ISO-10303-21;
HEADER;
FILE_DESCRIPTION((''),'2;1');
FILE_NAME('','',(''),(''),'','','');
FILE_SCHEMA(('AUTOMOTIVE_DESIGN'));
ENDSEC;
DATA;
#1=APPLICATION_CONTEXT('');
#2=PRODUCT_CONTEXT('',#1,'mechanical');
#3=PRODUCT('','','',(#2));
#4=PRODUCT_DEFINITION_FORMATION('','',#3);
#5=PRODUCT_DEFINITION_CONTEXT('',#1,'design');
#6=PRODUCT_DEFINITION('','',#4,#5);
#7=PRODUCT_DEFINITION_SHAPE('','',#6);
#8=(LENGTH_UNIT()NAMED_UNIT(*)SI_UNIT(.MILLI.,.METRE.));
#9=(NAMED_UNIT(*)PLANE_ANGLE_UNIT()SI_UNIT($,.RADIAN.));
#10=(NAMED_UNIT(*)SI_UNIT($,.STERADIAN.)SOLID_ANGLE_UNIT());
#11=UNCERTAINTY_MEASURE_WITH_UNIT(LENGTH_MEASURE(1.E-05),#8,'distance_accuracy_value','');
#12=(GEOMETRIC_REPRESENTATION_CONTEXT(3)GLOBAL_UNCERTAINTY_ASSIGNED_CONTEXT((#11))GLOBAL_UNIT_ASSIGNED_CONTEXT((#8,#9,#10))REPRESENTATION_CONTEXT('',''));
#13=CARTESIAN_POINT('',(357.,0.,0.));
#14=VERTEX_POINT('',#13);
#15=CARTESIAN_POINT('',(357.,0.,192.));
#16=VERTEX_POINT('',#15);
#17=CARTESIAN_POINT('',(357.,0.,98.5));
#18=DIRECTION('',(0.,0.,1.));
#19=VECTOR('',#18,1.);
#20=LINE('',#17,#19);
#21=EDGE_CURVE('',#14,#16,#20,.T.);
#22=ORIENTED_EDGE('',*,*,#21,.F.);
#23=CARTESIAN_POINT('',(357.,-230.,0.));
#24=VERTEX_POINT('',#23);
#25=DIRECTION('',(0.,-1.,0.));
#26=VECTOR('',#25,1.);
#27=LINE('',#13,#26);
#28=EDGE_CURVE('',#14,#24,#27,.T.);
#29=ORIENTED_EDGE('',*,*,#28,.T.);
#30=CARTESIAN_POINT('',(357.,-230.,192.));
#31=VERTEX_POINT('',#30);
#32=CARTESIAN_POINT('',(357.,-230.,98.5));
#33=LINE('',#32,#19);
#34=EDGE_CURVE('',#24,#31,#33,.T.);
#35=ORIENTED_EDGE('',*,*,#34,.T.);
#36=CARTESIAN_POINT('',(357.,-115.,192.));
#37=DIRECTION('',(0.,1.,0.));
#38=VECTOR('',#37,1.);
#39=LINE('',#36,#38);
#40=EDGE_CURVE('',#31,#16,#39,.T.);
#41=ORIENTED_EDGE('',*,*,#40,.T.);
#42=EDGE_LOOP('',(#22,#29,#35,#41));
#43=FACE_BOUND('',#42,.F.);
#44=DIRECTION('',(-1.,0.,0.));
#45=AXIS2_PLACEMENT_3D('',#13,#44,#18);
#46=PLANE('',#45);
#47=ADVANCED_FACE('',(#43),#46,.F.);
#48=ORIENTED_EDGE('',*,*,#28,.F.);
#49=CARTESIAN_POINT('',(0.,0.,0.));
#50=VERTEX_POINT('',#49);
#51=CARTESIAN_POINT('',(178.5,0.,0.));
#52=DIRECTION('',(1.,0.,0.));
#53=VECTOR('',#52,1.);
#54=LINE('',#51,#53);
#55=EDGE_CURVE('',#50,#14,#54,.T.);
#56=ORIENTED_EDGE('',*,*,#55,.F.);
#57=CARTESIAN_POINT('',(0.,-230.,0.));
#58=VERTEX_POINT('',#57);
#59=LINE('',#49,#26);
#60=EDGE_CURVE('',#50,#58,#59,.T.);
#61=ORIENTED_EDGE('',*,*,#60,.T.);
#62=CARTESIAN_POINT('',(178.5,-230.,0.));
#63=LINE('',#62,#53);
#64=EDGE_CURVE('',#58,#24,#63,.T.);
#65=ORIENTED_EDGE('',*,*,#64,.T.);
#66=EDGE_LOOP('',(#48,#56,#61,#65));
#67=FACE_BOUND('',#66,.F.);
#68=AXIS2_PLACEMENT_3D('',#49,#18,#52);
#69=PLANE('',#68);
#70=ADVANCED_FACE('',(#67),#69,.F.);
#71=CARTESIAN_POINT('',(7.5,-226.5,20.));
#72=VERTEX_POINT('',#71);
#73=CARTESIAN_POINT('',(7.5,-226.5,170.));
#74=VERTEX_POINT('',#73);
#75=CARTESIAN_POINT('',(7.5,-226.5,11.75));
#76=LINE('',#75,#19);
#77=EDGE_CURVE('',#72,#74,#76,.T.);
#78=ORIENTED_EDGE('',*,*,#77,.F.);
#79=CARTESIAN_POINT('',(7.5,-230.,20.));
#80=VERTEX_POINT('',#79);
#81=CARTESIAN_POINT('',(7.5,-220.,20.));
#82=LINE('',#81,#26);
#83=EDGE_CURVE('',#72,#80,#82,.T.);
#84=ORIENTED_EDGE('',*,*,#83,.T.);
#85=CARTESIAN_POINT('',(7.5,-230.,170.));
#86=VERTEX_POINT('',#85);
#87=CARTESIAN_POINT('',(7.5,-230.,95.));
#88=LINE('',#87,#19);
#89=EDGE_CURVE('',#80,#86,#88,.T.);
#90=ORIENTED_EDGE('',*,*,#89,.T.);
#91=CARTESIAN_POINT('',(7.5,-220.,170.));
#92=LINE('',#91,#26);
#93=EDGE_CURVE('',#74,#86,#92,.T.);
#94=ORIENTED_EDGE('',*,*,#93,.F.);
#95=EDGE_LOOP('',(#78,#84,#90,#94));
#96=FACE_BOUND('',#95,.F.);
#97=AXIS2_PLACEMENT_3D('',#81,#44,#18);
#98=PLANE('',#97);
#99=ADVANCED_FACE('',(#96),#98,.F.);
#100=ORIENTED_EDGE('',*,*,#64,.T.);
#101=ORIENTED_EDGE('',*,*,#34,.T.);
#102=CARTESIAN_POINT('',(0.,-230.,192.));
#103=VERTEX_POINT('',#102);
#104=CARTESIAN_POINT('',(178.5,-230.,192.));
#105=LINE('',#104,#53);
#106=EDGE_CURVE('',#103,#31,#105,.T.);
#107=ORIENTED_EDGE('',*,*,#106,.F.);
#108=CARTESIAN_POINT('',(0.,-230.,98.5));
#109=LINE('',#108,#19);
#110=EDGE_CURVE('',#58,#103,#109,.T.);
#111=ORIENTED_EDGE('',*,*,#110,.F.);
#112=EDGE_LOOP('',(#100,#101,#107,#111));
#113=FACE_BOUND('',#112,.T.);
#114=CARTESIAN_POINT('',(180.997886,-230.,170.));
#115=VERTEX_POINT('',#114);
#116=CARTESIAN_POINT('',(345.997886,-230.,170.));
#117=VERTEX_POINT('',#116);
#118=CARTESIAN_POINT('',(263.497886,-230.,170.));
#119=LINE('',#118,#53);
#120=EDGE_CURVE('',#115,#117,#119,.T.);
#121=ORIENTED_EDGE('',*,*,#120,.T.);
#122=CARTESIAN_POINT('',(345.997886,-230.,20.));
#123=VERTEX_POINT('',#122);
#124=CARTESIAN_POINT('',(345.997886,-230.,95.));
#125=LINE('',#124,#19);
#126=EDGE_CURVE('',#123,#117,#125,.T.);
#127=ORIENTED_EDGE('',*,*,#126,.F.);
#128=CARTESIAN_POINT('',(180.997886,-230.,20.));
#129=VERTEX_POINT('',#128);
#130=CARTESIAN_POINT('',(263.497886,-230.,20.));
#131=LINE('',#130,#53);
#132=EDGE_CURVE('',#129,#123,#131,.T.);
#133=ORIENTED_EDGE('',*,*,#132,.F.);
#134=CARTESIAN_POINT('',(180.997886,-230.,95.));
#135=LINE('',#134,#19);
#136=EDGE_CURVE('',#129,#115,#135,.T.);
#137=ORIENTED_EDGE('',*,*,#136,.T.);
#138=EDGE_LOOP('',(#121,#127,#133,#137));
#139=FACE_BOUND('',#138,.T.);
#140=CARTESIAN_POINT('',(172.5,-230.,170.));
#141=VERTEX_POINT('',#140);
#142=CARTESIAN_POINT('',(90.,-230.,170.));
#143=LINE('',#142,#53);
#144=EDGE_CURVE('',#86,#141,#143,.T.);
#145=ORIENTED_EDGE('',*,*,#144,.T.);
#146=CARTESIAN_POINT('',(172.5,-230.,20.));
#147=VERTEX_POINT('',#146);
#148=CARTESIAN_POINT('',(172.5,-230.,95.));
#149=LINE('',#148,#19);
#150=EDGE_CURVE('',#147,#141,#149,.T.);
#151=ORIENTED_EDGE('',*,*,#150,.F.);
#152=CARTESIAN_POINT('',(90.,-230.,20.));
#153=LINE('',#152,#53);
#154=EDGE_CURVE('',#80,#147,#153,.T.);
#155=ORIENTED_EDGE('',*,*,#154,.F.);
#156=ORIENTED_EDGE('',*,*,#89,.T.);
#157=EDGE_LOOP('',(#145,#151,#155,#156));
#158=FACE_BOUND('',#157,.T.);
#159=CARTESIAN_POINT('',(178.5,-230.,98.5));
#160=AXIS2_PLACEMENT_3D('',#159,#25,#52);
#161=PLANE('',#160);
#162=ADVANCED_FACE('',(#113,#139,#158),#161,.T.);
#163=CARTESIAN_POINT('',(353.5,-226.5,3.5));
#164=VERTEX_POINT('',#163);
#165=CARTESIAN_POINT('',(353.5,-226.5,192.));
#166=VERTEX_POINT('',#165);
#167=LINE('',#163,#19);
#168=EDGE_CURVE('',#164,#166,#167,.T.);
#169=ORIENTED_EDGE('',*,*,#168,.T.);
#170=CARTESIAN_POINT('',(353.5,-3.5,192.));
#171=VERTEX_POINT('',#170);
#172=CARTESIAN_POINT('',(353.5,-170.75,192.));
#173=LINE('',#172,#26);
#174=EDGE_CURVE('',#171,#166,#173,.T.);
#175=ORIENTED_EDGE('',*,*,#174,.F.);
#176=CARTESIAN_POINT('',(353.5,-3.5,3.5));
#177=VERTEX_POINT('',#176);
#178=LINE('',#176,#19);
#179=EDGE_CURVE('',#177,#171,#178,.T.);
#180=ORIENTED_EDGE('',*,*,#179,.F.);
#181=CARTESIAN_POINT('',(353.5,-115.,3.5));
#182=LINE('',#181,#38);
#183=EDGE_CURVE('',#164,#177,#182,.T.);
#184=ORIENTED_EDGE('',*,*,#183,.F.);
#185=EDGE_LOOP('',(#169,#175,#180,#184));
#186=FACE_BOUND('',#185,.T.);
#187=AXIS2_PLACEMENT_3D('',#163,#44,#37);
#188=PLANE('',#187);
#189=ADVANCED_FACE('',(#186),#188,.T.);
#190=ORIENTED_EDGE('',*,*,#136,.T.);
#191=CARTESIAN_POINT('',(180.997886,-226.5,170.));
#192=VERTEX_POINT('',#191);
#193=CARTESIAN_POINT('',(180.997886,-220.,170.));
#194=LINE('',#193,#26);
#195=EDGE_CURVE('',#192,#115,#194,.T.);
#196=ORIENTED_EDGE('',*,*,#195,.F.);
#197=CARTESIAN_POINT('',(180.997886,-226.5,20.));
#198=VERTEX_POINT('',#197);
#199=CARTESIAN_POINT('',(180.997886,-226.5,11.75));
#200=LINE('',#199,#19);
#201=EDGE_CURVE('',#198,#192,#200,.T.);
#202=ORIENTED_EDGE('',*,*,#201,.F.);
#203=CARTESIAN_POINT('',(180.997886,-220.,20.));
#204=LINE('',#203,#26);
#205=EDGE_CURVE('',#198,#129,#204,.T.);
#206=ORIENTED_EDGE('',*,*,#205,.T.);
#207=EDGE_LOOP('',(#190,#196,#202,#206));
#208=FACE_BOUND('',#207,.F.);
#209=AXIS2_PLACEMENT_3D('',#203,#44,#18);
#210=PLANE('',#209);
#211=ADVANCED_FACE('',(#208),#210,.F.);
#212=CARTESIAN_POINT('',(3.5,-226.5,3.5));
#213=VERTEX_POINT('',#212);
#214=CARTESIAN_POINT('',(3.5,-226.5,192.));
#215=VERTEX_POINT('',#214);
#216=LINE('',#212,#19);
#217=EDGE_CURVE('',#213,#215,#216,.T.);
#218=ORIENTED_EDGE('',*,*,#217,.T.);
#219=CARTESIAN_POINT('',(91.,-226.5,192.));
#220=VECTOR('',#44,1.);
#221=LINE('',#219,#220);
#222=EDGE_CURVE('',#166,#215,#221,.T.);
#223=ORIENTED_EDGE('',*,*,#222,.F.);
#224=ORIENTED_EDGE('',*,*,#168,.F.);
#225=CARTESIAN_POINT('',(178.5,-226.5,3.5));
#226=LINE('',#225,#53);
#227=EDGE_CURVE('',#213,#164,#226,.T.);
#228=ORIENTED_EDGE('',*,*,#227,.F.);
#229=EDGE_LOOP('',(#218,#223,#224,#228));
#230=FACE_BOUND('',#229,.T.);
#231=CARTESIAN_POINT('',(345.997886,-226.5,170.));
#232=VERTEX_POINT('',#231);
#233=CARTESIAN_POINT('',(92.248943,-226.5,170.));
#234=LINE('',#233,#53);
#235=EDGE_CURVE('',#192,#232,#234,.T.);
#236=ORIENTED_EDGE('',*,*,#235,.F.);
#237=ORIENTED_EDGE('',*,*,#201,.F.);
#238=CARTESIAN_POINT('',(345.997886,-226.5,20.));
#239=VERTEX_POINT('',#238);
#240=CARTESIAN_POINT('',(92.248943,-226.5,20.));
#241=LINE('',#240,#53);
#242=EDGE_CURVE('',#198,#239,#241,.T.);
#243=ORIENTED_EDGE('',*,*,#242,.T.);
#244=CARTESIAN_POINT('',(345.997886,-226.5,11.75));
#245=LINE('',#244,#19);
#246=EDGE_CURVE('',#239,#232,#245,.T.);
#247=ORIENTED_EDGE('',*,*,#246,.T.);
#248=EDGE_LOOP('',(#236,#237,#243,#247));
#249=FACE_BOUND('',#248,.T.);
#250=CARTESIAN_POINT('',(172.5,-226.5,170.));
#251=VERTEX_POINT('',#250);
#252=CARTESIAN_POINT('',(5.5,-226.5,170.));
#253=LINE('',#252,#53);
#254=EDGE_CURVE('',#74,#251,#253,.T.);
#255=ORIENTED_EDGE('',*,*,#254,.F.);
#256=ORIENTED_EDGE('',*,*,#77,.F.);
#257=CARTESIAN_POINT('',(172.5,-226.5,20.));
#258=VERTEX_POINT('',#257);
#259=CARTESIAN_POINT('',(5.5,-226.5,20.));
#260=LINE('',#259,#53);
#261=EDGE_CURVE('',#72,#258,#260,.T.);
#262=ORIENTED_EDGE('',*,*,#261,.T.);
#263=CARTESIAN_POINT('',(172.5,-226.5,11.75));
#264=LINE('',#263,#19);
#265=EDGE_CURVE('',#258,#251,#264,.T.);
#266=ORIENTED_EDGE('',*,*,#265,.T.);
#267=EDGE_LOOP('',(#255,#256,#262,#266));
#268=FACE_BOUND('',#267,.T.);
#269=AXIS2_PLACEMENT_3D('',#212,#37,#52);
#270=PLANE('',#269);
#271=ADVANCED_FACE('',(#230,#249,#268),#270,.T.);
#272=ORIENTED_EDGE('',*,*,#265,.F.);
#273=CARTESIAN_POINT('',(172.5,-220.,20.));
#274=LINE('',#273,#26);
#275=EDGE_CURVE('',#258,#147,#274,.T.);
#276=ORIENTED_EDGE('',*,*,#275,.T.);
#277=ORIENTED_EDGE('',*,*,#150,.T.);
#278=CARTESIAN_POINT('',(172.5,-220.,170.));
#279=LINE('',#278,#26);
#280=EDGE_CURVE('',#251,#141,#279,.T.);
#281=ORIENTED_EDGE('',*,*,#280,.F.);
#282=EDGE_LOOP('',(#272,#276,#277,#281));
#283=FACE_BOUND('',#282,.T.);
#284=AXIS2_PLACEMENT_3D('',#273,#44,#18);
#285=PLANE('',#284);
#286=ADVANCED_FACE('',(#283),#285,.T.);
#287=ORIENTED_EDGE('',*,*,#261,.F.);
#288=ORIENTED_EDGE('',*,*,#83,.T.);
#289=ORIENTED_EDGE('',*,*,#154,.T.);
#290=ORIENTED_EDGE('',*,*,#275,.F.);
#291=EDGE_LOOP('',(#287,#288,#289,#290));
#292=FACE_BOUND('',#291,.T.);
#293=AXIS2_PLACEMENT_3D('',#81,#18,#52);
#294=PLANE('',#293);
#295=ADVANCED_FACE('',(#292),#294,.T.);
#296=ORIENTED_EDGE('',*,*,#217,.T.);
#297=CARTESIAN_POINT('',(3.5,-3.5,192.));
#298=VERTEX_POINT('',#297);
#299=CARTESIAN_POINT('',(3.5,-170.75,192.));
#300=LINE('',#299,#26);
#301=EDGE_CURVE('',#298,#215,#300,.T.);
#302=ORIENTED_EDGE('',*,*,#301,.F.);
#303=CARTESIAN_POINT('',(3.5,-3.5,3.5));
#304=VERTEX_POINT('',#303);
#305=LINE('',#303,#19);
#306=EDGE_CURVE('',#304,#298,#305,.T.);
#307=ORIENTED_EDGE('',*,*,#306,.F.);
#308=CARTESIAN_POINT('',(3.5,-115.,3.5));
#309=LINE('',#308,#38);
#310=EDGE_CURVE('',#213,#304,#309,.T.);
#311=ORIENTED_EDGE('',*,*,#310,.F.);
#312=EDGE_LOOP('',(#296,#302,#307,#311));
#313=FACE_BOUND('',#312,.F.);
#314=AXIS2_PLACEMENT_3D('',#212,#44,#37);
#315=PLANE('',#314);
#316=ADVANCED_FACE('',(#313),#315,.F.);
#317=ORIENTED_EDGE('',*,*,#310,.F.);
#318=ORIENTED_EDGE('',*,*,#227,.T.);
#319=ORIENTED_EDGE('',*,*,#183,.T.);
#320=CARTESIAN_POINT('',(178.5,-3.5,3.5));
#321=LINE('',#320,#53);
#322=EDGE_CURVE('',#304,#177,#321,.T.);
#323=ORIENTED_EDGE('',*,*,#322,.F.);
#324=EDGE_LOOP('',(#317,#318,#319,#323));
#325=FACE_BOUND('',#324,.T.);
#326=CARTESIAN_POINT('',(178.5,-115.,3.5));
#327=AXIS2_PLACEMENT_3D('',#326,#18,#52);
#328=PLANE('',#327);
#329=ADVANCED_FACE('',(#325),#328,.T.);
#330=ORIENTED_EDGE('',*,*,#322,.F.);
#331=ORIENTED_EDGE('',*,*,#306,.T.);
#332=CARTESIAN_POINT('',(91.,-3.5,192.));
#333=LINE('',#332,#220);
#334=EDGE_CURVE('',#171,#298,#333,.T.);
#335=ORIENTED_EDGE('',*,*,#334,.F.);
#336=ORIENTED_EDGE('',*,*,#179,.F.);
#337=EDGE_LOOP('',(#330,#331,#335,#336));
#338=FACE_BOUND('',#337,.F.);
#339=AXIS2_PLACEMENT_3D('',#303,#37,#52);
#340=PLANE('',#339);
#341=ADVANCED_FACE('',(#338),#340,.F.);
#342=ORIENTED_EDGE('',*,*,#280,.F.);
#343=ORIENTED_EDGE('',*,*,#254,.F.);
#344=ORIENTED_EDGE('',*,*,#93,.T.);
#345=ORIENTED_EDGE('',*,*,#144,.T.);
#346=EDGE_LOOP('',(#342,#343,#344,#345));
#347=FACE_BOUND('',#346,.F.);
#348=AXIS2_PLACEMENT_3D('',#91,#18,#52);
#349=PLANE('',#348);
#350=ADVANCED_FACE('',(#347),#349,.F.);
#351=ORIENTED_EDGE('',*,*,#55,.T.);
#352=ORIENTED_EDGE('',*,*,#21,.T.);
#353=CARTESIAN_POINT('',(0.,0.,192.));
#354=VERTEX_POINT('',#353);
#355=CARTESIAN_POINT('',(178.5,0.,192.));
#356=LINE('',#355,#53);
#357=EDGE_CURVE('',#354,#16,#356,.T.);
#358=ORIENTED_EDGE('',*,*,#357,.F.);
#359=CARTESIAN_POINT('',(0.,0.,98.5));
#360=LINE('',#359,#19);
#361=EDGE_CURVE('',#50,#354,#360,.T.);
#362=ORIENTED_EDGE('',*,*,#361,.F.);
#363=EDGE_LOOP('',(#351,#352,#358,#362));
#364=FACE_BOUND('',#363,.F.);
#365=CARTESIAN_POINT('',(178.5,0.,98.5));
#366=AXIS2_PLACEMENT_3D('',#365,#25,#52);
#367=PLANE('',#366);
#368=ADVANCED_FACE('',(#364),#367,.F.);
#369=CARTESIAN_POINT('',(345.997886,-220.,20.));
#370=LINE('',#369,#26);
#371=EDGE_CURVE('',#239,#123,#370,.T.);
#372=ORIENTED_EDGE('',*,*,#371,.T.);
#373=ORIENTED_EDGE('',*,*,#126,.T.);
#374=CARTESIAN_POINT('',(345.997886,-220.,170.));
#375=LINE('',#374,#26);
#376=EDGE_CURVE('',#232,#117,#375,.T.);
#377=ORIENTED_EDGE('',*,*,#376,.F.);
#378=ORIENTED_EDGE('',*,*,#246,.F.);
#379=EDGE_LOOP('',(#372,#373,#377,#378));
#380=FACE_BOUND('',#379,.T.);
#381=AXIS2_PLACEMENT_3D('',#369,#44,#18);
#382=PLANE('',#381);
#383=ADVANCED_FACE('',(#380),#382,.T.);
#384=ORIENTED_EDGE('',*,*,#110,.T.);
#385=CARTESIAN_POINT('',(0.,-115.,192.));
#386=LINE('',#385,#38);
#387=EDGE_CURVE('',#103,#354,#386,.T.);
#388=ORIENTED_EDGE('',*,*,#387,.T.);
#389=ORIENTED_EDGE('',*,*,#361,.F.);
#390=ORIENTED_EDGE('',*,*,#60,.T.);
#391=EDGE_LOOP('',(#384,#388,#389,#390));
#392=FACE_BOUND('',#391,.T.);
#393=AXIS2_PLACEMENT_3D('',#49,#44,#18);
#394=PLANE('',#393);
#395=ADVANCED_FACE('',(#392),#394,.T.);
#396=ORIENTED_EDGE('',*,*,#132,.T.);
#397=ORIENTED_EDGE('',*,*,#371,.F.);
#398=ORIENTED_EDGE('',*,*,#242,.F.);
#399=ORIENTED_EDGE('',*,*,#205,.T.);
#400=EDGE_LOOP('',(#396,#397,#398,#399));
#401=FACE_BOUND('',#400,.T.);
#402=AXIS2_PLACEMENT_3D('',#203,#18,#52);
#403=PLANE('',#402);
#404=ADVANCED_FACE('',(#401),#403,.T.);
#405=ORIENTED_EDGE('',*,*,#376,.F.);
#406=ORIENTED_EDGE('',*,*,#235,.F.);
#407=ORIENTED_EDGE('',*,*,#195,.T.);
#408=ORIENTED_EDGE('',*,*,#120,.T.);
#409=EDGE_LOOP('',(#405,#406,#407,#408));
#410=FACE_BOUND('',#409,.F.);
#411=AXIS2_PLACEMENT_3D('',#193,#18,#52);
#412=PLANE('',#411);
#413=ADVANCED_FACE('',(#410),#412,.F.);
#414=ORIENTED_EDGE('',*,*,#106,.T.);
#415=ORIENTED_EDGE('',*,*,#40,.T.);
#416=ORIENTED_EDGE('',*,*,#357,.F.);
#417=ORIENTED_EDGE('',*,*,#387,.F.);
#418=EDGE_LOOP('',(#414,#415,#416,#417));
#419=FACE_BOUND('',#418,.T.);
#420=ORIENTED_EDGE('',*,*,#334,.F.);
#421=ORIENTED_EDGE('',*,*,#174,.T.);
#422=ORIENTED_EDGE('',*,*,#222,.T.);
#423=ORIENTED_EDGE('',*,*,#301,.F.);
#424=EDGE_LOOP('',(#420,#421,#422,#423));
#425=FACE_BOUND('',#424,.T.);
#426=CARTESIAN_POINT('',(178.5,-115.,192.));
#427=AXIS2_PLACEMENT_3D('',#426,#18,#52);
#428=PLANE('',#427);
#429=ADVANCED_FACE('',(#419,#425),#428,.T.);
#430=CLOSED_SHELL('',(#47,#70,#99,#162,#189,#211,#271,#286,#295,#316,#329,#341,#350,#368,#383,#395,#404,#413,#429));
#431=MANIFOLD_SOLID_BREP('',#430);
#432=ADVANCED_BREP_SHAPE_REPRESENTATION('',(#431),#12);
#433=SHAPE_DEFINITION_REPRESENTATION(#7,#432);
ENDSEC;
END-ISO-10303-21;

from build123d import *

# Parameters (mm, degrees)
SKETCH_W        = 357
SKETCH_H        = 197
PAD_DEPTH       = 230
SKETCH001_W     = 357
SKETCH001_H     = 230
POCKET_DEPTH    = 5
SKETCH002_W     = 350
SKETCH002_H     = 223
POCKET001_DEPTH = 192
SKETCH003_W     = 165
SKETCH003_H     = 150
POCKET002_DEPTH = 10


with BuildPart() as part:
    # Sketch → Pad (new body)
    with BuildSketch(Plane.XZ):
        with Locations((178.5, 98.5)):
            Rectangle(SKETCH_W, SKETCH_H)
    extrude(amount=PAD_DEPTH)

    # Sketch001 → Pocket (cut)
    with BuildSketch(Plane.XY.offset(192)):
        with Locations((178.5, -115)):
            Rectangle(SKETCH001_W, SKETCH001_H)
    extrude(amount=POCKET_DEPTH, mode=Mode.SUBTRACT)

    # Sketch002 → Pocket001 (cut)
    with BuildSketch(Plane(origin=(3.5, -3.5, 3.5), x_dir=(1, 0, 0), z_dir=(0, 0, 1))):
        with Locations((175, -111.5)):
            Rectangle(SKETCH002_W, SKETCH002_H)
    extrude(amount=POCKET001_DEPTH, mode=Mode.SUBTRACT)

    # Sketch003 → Pocket002 (cut)
    with BuildSketch(Plane(origin=(7.5, -220, 20), x_dir=(1, 0, 0), z_dir=(0, -1, 0))):
        with Locations((82.5, 75)):
            Rectangle(SKETCH003_W, SKETCH003_H)
        with Locations((255.997886, 75)):
            Rectangle(SKETCH003_W, SKETCH003_H)
    extrude(amount=POCKET002_DEPTH, mode=Mode.SUBTRACT)


solid = part.part
